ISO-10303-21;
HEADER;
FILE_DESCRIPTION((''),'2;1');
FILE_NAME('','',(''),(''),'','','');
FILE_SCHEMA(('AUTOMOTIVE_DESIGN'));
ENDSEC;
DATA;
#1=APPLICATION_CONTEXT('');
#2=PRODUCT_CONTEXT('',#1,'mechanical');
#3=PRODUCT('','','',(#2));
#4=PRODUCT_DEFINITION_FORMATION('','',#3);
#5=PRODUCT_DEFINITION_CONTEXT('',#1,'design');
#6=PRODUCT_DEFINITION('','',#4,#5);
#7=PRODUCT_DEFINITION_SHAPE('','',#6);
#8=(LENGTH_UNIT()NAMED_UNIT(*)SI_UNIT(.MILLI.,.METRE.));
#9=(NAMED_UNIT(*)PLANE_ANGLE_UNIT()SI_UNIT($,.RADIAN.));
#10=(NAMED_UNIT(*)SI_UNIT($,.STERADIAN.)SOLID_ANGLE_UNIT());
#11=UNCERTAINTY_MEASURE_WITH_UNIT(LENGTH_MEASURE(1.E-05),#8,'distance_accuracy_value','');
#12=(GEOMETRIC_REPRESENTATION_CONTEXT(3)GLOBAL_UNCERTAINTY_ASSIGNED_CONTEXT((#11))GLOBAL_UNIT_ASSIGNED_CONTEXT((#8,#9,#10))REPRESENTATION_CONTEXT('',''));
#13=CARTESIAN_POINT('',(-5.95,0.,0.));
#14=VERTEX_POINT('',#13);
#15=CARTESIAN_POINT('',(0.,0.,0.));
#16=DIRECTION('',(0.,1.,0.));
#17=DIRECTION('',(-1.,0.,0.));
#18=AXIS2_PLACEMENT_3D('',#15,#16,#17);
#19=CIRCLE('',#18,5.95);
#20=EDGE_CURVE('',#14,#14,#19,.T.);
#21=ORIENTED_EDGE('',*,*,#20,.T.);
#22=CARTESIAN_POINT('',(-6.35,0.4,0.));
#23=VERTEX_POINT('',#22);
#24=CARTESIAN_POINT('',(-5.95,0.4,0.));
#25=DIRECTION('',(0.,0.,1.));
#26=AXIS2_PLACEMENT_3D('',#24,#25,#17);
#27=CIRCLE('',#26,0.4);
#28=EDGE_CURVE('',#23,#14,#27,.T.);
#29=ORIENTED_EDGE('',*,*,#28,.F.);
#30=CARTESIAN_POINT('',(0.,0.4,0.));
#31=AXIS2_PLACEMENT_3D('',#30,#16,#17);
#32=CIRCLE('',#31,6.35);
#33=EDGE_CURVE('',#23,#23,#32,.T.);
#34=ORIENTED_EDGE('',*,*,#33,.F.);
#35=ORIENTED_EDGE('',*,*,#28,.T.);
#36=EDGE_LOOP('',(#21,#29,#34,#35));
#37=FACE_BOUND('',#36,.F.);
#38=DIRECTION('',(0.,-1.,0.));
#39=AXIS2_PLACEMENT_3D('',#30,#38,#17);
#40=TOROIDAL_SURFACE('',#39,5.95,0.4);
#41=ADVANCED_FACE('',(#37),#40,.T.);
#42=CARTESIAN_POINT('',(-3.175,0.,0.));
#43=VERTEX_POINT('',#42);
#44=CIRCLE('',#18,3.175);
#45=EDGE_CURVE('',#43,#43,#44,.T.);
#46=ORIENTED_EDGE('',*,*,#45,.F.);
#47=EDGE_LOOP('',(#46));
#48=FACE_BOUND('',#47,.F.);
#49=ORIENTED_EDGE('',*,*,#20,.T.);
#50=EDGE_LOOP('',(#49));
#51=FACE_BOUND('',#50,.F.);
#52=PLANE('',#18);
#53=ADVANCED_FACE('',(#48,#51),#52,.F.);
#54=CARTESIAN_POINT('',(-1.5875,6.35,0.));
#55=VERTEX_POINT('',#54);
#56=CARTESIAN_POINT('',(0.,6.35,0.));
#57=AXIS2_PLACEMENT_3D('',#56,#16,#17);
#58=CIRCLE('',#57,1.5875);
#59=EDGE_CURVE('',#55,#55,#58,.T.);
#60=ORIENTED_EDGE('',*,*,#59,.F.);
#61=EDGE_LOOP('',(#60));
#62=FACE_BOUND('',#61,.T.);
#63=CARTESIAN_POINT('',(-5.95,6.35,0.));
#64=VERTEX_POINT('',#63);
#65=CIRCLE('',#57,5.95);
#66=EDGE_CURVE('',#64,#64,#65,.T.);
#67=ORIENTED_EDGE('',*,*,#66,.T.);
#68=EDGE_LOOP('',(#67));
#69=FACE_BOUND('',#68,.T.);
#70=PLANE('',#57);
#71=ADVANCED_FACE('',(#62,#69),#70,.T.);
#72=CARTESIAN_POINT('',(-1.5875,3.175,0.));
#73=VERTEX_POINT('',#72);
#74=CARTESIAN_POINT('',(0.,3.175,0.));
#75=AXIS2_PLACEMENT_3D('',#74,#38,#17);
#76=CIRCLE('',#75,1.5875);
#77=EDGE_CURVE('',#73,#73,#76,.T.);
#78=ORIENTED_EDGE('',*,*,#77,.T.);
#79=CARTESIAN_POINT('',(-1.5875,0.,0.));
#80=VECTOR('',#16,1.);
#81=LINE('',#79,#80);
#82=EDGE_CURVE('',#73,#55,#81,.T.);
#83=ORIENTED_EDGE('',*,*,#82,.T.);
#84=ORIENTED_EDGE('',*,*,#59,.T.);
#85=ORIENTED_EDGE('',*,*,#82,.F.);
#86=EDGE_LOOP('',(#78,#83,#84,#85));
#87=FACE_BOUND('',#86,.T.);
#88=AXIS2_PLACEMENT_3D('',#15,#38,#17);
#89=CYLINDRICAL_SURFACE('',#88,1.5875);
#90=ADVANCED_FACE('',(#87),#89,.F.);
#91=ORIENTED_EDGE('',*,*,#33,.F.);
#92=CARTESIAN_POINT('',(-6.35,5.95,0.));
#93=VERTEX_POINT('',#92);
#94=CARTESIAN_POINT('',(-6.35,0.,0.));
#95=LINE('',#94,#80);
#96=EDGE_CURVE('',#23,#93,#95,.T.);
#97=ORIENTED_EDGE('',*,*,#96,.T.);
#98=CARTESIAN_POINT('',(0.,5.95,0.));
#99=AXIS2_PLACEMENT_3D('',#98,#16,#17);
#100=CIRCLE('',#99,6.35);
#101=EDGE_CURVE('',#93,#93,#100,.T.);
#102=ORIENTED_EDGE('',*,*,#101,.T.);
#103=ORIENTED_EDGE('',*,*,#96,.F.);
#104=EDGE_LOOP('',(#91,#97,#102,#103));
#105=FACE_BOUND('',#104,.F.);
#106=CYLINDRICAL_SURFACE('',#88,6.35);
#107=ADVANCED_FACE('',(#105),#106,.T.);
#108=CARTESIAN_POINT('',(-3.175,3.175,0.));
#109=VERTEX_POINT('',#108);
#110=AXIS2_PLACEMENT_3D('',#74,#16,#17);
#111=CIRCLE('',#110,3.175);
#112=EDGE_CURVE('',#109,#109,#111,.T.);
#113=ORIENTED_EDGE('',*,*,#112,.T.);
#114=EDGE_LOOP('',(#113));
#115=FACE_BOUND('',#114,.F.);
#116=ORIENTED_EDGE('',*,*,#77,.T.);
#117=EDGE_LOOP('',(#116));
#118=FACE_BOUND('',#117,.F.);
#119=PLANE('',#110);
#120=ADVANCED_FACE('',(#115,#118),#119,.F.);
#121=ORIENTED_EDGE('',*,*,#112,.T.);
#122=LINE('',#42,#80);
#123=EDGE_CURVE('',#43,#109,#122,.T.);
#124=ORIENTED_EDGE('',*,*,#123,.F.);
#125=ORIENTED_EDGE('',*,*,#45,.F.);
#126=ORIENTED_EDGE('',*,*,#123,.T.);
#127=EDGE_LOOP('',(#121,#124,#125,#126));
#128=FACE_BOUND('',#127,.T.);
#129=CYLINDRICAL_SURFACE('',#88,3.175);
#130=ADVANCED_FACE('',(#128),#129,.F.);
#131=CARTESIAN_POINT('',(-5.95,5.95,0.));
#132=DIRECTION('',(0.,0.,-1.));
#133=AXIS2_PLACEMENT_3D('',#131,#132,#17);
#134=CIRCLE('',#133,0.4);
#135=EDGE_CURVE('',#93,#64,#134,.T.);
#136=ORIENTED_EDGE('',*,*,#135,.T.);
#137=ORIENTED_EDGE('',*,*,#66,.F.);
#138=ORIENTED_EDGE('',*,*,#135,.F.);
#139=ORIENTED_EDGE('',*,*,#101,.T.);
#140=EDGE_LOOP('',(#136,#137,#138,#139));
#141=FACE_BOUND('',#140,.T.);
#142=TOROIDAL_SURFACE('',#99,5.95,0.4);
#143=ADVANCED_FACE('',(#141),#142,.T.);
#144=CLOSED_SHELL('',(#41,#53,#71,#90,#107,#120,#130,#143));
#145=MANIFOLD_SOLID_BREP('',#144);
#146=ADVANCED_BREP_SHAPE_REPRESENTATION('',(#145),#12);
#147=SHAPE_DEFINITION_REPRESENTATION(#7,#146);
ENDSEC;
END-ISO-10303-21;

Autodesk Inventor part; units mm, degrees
ref_plane "YZ Plane" through (0, 0, 0) normal (1, 0, 0) x (0, 1, 0)
ref_plane "XZ Plane" through (0, 0, 0) normal (0, 1, 0) x (-1, 0, 0)
ref_plane "XY Plane" through (0, 0, 0) normal (0, 0, 1) x (1, 0, 0)
sketch "Sketch1" plane through (0, 0, 0) normal (0, 1, 0) x (-1, 0, 0)
  circle A0 centre (0, 0) radius 6.35
  circle A1 centre (0, 0) radius 1.5875
  circle A2 centre (0, 0) radius 3.175
  dimension "d0" = 12.7
  dimension "d1" = 3.175
  dimension "d4" = 6.35
extrude "Extrusion1" add sketch "Sketch1" along normal blind 6.35 contours A0 | A2
extrude "Extrusion2" cut sketch "Sketch1" along normal blind 3.175 contours A1 | A2
fillet "Fillet1" radius 0.4 2 edges at (6.35, 6.35, 0) (6.35, 0, 0)
properties part number "Bumper"
